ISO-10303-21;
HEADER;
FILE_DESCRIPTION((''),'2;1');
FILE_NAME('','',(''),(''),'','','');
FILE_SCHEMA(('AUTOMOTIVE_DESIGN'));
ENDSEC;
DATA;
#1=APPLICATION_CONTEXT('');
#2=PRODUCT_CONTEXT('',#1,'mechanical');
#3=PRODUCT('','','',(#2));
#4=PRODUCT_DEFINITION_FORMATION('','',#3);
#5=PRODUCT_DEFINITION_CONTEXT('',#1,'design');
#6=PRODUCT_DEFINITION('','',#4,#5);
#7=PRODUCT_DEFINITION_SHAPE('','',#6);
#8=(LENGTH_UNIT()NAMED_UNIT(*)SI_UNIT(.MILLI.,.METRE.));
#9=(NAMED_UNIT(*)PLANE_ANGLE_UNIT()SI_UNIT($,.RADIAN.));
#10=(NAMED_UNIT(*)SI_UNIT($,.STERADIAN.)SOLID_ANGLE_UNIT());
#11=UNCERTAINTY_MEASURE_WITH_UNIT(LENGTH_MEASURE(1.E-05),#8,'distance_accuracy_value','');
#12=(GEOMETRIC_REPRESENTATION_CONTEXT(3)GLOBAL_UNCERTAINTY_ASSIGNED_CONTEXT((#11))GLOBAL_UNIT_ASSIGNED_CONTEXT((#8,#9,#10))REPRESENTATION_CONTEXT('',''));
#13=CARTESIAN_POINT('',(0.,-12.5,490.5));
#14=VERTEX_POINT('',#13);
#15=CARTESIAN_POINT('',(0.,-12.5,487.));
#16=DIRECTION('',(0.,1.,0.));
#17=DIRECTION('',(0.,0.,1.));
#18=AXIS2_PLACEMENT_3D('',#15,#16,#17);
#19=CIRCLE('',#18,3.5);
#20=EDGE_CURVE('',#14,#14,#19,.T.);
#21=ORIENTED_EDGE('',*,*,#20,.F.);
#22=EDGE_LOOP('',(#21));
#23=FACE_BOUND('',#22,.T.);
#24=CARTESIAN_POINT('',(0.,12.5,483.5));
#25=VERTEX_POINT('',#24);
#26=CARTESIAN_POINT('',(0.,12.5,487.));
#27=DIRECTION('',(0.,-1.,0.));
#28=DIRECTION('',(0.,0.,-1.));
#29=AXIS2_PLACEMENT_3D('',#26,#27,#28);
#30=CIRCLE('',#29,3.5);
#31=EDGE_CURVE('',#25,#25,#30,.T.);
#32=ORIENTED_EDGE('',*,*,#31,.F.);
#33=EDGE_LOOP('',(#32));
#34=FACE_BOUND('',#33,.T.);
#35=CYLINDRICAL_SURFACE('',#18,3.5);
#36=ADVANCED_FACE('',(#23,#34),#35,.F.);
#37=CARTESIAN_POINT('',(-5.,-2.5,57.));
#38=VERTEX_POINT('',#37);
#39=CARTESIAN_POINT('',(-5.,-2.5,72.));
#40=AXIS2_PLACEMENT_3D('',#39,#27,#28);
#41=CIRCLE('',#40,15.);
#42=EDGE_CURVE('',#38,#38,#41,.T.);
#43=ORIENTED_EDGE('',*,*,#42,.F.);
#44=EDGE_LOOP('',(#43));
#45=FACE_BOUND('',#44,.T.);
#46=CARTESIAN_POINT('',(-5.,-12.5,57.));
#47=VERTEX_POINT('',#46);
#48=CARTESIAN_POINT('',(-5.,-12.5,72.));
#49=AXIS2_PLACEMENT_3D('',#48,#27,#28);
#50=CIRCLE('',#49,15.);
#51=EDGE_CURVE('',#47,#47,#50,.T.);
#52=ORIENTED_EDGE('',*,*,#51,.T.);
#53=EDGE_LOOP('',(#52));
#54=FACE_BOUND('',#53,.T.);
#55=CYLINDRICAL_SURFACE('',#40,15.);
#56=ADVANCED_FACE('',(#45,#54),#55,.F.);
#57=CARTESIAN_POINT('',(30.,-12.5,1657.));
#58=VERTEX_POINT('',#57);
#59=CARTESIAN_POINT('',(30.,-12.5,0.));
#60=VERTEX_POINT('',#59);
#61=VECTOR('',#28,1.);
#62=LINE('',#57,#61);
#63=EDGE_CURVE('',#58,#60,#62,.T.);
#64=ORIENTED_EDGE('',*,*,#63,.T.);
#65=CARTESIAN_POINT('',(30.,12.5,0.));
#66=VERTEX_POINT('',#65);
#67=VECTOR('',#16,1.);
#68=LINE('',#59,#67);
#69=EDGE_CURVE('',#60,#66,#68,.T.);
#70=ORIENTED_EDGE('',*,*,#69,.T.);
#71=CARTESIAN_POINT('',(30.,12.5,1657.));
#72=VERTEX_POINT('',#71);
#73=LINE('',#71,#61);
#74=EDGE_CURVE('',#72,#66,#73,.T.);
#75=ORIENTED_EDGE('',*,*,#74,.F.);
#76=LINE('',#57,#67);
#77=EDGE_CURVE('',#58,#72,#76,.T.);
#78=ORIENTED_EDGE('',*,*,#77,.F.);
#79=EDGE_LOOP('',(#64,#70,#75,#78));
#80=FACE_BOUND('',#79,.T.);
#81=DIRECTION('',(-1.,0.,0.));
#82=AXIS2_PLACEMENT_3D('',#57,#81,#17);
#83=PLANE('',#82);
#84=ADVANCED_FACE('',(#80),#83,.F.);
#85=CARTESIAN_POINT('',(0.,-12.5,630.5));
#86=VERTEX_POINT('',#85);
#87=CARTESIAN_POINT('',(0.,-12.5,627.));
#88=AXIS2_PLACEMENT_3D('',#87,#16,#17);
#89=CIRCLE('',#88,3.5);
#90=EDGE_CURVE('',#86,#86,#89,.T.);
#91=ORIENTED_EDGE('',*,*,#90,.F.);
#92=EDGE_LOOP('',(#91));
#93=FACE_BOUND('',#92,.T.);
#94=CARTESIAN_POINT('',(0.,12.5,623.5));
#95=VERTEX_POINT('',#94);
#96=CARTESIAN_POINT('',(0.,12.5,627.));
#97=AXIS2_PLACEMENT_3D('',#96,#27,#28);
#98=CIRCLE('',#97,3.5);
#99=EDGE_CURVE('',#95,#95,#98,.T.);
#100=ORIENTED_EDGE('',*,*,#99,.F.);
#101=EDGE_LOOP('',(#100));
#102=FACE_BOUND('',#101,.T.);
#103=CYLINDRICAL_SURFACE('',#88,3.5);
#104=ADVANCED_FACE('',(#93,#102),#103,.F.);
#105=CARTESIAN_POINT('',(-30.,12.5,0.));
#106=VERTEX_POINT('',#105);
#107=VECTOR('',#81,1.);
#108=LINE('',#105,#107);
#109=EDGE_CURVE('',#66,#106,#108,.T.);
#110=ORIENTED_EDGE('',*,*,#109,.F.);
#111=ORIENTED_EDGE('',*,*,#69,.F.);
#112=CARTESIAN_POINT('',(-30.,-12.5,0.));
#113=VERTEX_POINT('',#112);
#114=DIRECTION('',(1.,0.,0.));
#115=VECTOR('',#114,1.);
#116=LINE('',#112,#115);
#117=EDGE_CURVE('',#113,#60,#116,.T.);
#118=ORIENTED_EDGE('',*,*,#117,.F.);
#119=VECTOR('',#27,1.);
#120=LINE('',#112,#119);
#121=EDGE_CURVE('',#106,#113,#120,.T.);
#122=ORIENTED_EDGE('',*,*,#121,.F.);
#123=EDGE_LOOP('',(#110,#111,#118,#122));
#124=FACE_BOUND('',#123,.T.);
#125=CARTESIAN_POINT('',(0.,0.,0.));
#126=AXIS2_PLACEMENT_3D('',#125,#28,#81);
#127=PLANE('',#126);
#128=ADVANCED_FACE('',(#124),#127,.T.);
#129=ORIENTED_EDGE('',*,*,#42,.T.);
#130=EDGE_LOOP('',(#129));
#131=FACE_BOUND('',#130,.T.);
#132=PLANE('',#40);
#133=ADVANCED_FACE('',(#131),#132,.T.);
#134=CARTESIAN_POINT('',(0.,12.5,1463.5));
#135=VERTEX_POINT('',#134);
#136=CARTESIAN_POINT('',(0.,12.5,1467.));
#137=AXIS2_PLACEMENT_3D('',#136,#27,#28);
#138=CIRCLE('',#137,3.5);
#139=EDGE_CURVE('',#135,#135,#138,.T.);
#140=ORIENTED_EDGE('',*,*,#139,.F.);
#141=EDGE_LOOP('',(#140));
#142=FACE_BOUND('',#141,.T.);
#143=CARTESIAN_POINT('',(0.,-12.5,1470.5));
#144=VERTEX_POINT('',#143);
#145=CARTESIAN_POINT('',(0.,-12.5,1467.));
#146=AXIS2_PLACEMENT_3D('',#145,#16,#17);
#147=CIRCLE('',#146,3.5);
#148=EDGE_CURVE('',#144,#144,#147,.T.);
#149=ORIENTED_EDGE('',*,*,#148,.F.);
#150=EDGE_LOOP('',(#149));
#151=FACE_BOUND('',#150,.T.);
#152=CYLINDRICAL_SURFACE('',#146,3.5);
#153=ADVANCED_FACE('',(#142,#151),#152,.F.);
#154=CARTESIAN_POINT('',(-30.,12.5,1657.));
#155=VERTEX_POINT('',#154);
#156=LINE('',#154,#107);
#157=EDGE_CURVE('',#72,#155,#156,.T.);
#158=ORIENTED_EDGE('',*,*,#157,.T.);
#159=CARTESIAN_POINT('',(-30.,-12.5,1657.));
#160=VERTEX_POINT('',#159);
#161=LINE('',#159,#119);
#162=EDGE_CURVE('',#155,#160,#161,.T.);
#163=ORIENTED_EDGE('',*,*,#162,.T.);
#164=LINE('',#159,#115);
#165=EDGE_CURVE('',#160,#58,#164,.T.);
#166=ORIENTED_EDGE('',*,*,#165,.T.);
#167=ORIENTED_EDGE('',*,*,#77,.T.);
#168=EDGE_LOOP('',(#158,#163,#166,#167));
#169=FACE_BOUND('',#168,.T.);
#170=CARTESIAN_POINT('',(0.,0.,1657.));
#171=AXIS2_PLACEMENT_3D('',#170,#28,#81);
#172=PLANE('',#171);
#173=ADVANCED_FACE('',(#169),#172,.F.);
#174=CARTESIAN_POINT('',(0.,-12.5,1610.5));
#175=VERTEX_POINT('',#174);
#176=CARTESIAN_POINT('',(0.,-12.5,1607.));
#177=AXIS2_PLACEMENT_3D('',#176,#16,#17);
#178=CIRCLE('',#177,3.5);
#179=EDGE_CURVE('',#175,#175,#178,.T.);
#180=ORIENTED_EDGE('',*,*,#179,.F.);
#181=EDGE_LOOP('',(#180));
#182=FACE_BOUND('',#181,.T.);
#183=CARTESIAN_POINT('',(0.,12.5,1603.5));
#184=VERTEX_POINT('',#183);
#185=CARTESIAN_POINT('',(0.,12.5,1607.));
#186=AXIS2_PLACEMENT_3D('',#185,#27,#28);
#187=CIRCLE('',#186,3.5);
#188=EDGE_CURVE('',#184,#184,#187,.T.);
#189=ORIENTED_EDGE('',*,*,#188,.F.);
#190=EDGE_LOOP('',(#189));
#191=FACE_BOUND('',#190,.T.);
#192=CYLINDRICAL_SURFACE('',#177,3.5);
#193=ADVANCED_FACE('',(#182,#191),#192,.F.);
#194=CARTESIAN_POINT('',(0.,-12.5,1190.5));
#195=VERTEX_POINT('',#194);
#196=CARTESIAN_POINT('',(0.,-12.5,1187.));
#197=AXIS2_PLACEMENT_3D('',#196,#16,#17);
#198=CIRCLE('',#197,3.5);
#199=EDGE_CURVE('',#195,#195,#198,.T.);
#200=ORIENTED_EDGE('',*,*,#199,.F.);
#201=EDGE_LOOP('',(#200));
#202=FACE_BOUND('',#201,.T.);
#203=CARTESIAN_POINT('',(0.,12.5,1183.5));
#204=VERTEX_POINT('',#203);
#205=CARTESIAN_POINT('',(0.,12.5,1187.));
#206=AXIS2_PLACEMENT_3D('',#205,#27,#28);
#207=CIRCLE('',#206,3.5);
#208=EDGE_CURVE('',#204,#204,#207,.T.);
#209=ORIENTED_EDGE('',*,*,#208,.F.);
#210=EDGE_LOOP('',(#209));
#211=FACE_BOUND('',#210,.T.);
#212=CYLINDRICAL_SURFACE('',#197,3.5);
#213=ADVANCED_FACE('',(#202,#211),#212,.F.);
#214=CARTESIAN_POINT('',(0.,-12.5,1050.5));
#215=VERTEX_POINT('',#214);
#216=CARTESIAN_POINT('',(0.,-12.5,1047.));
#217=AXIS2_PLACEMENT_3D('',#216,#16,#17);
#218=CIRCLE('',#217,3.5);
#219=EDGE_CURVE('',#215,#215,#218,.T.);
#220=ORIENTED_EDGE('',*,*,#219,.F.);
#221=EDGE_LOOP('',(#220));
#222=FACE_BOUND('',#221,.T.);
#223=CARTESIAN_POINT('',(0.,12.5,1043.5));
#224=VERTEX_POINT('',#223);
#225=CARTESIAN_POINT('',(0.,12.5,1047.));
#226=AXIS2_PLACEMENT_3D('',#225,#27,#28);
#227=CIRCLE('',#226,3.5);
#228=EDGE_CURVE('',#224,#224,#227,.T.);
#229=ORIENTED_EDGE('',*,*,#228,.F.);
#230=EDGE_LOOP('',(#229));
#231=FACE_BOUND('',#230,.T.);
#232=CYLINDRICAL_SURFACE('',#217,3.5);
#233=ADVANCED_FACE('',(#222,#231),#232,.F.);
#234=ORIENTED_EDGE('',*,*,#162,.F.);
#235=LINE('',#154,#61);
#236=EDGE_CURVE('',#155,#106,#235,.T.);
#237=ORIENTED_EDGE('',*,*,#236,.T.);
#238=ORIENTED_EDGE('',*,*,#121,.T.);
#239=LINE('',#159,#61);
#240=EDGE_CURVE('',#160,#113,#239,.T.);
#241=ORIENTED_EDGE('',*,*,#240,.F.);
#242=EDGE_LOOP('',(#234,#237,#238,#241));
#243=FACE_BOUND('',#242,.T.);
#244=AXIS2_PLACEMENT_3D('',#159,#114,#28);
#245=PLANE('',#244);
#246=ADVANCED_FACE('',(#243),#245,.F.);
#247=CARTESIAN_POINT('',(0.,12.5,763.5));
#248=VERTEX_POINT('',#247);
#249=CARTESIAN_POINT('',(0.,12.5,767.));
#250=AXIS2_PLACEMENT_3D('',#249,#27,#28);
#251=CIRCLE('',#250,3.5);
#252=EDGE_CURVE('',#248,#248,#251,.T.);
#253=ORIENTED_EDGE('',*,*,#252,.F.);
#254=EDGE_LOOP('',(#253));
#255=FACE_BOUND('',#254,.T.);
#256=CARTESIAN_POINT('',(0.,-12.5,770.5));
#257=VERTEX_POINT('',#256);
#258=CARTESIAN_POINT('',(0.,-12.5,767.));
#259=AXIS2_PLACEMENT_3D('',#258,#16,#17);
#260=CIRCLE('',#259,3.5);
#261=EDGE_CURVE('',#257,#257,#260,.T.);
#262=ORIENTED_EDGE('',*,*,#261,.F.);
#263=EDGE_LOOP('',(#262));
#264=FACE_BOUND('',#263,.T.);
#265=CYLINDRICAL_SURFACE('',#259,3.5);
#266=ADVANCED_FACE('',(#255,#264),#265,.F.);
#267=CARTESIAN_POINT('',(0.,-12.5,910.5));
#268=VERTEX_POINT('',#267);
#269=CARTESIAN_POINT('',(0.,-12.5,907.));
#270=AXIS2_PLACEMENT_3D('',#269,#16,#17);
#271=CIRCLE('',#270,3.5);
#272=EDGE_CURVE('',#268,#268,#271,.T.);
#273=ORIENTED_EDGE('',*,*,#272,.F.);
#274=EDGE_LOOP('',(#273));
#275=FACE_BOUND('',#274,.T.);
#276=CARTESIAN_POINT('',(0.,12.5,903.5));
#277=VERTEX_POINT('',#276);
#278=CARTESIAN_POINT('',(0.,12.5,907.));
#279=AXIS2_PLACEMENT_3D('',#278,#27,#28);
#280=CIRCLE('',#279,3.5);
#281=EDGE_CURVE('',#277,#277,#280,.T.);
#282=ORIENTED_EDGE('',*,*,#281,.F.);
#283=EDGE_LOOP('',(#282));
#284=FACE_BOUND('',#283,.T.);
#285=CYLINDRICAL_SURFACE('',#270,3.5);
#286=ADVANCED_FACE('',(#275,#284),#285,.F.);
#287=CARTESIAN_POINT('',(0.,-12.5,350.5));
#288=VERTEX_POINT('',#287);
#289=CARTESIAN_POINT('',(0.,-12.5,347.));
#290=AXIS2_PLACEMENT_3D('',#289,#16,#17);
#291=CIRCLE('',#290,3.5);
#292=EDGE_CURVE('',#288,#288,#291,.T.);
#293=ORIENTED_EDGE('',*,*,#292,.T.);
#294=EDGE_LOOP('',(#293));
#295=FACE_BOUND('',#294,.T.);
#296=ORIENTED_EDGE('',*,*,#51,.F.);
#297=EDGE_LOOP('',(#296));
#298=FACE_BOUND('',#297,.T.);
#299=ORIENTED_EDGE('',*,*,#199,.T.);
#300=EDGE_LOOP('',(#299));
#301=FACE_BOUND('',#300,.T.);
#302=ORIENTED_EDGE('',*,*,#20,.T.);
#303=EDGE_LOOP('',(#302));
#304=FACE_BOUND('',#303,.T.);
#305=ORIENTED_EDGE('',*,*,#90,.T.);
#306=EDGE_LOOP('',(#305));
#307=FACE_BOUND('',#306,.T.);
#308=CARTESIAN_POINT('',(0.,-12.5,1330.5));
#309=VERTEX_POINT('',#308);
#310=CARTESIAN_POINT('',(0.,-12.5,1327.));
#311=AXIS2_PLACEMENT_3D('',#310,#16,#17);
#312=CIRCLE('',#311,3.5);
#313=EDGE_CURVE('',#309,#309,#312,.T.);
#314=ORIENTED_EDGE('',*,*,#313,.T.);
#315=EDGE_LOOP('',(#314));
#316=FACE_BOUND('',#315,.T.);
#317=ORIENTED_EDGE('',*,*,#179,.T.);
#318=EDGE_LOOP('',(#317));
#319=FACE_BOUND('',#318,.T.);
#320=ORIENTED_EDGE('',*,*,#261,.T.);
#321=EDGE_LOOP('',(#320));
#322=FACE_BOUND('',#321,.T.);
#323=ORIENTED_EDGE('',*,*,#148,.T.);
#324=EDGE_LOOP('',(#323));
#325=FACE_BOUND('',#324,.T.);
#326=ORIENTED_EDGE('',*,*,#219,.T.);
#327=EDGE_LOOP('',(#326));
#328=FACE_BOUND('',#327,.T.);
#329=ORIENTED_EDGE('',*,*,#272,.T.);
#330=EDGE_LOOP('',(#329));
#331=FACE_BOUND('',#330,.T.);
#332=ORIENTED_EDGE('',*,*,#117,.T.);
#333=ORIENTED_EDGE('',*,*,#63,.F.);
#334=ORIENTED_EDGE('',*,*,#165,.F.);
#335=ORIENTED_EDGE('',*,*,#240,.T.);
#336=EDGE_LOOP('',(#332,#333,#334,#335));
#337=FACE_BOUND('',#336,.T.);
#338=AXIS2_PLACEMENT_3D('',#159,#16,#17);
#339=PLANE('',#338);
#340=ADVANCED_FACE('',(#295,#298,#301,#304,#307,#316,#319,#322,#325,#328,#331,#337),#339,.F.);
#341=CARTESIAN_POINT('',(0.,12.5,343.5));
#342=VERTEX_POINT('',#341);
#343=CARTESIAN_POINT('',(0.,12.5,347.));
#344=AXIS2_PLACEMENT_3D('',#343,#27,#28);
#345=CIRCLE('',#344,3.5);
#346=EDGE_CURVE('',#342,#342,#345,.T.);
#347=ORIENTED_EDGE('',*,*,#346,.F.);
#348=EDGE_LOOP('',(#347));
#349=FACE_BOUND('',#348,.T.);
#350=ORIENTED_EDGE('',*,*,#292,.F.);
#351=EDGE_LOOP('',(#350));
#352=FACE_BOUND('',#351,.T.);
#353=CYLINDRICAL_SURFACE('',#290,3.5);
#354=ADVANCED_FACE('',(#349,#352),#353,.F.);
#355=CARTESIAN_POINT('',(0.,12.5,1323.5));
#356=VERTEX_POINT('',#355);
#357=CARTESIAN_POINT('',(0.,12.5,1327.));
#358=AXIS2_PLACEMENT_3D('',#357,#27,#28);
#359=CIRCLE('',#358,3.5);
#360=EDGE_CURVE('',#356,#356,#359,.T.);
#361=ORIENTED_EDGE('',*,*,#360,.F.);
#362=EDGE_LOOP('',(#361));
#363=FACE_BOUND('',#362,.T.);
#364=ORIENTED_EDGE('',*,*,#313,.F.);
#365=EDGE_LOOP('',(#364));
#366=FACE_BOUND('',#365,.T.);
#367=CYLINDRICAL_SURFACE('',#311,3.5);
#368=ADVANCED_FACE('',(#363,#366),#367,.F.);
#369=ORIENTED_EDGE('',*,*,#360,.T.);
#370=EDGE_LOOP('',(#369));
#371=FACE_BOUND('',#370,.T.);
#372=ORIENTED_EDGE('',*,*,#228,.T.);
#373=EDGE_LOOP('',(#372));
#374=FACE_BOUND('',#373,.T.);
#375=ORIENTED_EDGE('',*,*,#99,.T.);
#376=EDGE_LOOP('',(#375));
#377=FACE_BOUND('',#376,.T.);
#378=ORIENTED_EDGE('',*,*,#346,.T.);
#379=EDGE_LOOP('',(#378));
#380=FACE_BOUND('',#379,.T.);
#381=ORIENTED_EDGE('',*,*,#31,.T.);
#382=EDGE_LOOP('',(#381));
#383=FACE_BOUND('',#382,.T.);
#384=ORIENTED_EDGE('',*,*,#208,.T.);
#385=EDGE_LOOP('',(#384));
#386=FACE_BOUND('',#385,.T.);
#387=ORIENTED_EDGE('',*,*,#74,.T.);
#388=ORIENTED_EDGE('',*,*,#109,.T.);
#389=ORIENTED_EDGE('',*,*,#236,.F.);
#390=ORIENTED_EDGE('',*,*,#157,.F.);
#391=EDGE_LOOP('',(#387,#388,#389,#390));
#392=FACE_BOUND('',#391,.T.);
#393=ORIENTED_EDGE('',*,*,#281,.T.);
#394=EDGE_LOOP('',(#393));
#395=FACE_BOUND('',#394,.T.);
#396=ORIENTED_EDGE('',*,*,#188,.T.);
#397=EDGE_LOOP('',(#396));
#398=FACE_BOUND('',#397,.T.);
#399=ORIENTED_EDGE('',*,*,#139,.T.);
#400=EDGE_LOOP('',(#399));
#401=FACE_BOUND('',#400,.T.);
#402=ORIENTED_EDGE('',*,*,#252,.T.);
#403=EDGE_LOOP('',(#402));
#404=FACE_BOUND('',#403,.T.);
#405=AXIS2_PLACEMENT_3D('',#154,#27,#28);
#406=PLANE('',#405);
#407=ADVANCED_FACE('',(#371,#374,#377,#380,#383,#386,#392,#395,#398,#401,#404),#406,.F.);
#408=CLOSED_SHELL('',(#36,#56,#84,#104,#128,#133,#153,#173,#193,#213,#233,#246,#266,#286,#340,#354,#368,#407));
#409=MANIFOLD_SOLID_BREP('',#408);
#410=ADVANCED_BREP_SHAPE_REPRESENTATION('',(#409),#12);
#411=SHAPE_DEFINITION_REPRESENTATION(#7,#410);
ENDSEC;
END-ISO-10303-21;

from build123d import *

# Parameters (mm, degrees)
SKETCH_1_W               = 60
SKETCH_1_H               = 25
EXTRUDE_1_DEPTH          = 1657
SKETCH_2_R               = 15
CUT_EXTRUDE_1_DEPTH      = 10
CUT_EXTRUDE_2_DEPTH      = 1658.460105101
CUT_EXTRUDE_2_DEPTH_BACK = 1658.460105101
SKETCH_3_R               = 3.5


with BuildPart() as part:
    # Эскиз1 → Бобышка-Вытянуть1 (new body)
    with BuildSketch(Plane.XY):
        Rectangle(SKETCH_1_W, SKETCH_1_H)
    extrude(amount=EXTRUDE_1_DEPTH)

    # Эскиз2 → Вырез-Вытянуть1 (cut)
    with BuildSketch(Plane.XZ.offset(12.5)):
        with Locations(Location((-5, 72, 0), (0, 0, 270))):
            Circle(SKETCH_2_R)
    extrude(amount=-CUT_EXTRUDE_1_DEPTH, mode=Mode.SUBTRACT)

    # Эскиз3 → Вырез-Вытянуть2 (cut, two sides: drawn at the far end of the back side and taken through both)
    with BuildSketch(Plane(origin=(0, 12.5, 0), x_dir=(1, 0, 0), z_dir=(0, 1, 0)).offset(-CUT_EXTRUDE_2_DEPTH_BACK)):
        with Locations(Location((0, -1607, 0), (0, 0, 270))):
            Circle(SKETCH_3_R)
        with Locations(Location((0, -1467, 0), (0, 0, 270))):
            Circle(SKETCH_3_R)
        with Locations(Location((0, -1327, 0), (0, 0, 270))):
            Circle(SKETCH_3_R)
        with Locations(Location((0, -1187, 0), (0, 0, 270))):
            Circle(SKETCH_3_R)
        with Locations(Location((0, -1047, 0), (0, 0, 270))):
            Circle(SKETCH_3_R)
        with Locations(Location((0, -907, 0), (0, 0, 270))):
            Circle(SKETCH_3_R)
        with Locations(Location((0, -767, 0), (0, 0, 270))):
            Circle(SKETCH_3_R)
        with Locations(Location((0, -627, 0), (0, 0, 270))):
            Circle(SKETCH_3_R)
        with Locations(Location((0, -487, 0), (0, 0, 270))):
            Circle(SKETCH_3_R)
        with Locations(Location((0, -347, 0), (0, 0, 270))):
            Circle(SKETCH_3_R)
    extrude(amount=CUT_EXTRUDE_2_DEPTH + CUT_EXTRUDE_2_DEPTH_BACK, mode=Mode.SUBTRACT)


solid = part.part
